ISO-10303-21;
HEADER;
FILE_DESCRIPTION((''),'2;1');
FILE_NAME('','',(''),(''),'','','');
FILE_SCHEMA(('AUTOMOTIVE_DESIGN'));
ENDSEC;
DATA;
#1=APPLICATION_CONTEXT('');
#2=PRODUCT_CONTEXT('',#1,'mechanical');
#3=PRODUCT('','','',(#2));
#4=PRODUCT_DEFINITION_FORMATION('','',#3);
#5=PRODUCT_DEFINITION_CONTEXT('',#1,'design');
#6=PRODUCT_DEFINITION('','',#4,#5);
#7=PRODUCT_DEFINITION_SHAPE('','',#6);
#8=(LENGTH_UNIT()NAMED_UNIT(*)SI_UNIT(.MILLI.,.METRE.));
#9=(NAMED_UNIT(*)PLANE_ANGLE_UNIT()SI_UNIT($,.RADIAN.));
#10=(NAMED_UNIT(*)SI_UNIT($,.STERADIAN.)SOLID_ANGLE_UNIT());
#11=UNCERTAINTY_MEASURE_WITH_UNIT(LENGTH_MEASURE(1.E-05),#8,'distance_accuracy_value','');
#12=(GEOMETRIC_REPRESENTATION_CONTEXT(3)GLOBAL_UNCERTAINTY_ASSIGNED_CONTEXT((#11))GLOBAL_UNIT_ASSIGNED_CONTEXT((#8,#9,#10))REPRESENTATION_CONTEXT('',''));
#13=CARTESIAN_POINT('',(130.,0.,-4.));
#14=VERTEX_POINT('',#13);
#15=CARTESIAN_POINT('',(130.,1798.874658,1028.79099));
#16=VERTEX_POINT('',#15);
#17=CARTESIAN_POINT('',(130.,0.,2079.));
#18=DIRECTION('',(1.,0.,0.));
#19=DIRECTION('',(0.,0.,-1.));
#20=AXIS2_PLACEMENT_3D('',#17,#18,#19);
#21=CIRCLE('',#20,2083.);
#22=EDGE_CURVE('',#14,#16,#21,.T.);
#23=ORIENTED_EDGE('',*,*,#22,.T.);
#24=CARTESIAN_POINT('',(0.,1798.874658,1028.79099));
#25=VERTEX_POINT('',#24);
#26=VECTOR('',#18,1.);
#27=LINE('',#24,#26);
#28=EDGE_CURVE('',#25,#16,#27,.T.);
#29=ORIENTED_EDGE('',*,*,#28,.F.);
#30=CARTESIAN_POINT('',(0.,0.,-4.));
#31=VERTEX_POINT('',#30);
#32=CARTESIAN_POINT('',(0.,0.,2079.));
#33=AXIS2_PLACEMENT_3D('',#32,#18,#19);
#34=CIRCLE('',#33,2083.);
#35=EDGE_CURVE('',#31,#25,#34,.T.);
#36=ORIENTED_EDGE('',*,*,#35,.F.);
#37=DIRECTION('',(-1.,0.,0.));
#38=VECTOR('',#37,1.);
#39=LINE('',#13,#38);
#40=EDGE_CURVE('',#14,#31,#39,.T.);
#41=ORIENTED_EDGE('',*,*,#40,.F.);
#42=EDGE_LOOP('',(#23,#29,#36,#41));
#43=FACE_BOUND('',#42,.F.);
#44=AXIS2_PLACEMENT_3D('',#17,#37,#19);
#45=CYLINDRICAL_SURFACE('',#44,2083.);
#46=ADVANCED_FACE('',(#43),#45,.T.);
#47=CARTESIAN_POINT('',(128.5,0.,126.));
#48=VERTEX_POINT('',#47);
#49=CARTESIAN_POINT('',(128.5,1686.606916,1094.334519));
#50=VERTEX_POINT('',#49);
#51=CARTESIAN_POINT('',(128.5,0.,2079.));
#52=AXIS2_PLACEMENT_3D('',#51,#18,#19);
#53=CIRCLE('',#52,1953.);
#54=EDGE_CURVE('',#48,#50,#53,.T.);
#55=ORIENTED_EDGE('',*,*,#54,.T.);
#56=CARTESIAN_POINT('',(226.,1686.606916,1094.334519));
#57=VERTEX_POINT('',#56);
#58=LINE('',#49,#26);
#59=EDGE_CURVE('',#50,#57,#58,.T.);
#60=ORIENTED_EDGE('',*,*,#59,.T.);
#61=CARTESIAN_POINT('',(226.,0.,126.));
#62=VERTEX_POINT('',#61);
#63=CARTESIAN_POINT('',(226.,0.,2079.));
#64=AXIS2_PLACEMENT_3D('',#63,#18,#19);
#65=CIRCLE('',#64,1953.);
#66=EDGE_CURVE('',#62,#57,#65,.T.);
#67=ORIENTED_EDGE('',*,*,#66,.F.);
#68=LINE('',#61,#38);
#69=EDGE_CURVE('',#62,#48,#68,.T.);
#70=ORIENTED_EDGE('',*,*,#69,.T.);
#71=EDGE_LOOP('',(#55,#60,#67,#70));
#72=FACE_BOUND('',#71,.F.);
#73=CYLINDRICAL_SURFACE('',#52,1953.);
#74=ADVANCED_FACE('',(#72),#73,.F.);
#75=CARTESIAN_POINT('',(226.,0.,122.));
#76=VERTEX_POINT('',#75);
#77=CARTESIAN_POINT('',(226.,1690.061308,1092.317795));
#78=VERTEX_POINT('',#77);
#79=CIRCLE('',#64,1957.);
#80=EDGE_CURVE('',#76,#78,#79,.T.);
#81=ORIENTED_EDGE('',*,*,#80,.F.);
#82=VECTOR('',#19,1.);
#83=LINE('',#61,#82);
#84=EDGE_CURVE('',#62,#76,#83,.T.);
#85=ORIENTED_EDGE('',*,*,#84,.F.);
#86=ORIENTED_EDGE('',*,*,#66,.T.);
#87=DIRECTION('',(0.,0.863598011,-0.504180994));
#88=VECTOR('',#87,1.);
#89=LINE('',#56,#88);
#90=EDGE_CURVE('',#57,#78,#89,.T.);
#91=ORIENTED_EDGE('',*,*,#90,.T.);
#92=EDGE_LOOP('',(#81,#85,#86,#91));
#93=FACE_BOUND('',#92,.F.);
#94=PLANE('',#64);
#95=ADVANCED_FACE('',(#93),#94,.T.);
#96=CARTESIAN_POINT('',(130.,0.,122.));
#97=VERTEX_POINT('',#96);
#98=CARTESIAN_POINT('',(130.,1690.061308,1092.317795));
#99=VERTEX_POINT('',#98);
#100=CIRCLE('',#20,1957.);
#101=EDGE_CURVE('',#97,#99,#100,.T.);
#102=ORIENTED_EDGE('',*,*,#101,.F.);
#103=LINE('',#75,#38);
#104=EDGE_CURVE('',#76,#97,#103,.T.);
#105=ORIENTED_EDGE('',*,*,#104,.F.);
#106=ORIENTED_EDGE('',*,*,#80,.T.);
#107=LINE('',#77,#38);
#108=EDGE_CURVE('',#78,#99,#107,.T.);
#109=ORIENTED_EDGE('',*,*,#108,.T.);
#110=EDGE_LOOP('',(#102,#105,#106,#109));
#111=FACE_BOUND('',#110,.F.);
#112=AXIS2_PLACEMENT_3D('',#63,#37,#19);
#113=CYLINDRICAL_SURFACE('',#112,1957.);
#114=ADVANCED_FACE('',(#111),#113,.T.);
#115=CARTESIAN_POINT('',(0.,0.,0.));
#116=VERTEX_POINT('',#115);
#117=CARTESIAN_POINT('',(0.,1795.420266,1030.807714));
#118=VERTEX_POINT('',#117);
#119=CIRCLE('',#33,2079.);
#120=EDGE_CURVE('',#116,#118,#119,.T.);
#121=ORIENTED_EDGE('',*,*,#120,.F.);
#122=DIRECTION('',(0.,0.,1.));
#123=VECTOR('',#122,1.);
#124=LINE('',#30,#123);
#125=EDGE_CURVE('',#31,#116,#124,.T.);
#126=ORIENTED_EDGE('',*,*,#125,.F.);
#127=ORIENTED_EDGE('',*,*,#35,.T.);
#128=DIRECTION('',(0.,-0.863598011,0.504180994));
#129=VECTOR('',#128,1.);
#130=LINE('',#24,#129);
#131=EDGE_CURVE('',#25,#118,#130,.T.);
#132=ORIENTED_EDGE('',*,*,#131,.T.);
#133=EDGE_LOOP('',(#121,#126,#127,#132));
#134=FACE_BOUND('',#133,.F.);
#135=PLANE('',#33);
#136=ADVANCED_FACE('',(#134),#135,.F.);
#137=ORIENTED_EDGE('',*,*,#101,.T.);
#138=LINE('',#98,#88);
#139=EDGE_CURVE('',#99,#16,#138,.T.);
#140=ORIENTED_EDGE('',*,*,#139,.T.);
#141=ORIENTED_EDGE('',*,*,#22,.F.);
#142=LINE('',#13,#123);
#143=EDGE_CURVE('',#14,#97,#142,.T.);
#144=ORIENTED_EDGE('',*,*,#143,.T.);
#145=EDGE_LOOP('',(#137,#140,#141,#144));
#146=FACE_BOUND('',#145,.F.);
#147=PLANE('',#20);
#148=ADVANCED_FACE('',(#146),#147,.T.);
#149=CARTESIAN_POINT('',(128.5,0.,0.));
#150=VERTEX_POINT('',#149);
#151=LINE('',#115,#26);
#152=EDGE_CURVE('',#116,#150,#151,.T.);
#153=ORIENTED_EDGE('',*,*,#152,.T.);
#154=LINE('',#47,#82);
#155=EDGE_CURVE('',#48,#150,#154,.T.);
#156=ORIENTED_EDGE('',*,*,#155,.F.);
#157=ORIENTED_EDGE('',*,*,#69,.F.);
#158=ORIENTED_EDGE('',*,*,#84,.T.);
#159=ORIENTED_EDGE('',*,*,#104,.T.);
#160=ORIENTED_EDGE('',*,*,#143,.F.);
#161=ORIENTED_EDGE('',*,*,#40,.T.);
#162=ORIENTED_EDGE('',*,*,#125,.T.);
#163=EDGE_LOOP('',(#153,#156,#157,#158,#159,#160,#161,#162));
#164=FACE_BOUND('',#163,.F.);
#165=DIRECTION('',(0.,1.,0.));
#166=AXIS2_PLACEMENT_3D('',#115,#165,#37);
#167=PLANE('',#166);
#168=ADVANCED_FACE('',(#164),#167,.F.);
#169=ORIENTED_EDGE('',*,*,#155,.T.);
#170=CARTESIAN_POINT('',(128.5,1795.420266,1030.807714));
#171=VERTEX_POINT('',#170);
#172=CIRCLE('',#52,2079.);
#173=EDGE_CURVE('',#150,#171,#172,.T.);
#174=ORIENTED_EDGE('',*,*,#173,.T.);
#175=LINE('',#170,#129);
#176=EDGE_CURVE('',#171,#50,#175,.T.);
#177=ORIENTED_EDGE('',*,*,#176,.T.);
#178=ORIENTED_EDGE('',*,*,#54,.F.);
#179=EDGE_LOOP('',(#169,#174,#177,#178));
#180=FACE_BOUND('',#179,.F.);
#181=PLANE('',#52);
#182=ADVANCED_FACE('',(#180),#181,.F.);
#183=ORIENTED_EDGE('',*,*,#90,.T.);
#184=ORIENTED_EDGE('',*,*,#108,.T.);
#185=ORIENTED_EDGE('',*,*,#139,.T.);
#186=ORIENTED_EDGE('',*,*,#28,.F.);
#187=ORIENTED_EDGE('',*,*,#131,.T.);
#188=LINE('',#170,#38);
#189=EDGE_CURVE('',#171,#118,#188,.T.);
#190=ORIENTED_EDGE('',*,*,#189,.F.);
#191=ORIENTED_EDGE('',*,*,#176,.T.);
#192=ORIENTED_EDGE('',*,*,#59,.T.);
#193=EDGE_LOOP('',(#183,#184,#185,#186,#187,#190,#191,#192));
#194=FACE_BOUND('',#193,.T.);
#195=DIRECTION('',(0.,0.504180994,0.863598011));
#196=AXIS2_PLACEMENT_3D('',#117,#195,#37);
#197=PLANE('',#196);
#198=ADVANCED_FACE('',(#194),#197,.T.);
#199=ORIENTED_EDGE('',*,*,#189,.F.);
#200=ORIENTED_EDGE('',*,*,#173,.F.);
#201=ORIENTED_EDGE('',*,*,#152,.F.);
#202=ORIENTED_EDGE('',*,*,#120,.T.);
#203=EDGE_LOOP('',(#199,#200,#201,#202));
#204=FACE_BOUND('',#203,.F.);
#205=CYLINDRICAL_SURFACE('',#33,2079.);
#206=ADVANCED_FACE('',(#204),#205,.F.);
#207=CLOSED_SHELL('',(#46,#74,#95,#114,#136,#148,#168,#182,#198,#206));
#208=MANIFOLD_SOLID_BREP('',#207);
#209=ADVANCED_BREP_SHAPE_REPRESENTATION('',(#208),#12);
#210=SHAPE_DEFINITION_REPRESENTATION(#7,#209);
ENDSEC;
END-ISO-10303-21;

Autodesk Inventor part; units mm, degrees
ref_plane "YZ Plane" through (0, 0, 0) normal (1, 0, 0) x (0, 1, 0)
ref_plane "XZ Plane" through (0, 0, 0) normal (0, 1, 0) x (-1, 0, 0)
ref_plane "XY Plane" through (0, 0, 0) normal (0, 0, 1) x (1, 0, 0)
sketch "Sketch1" plane through (0, 0, 0) normal (0, 1, 0) x (-1, 0, 0)
  line L0 (0, 0) -> (-130, 0)
  line L1 (-130, 0) -> (-130, -4)
  line L2 (-130, -4) -> (0, -4)
  line L3 (0, -4) -> (0, 0)
  line L4 (-130, -4) -> (-128.5, -4)
  line L5 (-128.5, -4) -> (-128.5, 126)
  line L6 (-128.5, 126) -> (-130, 126)
  line L7 (-130, 126) -> (-130, -4)
  line L8 (-128.5, 126) -> (-226, 126)
  line L9 (-226, 126) -> (-226, 122)
  line L10 (-226, 122) -> (-128.5, 122)
  line L11 (-128.5, 122) -> (-128.5, 126)
  line L12 (-65, -4) -> (-65, 2079)
  line L13 (-65, 2079) -> (-122.8585, 2079)
  point P0 (-128.5, 0)
  point P1 (-130, 122)
  dimension "d0" = 130
  dimension "d1" = 4
  dimension "d2" = 1.5
  dimension "d3" = 130
  dimension "d4" = 97.5
  dimension "d5" = 4
  dimension "d6" = 2083
revolve "Revolution1" add sketch "Sketch1" angle 59.723 about axis through (65, 0, 2079) along (1, 0, 0)
sketch "Sketch2" plane through (130, 0, 122) normal (1, 0, 0) x (0, 0, -1)
  line L0 (-4, 0) -> (0, 0) projected
  arc A0 (-4, 0) -> (-972.3345, 1686.6069) centre (-1957, 0) ccw projected
  arc A1 (-4, 0) -> (-972.3345, 1686.6069) centre (-1991.899, -20.0366) ccw
  line L1 (-908.8077, 1795.4203) -> (-972.3345, 1686.6069) projected
  line L2 (-906.791, 1798.8747) -> (-908.8077, 1795.4203) projected
  line L3 (-972.3345, 1686.6069) -> (-906.791, 1798.8747)
  line L4 (0, 0) -> (126, 0) projected
  arc A2 (126, 0) -> (-906.791, 1798.8747) centre (-1991.9052, -20.0402) ccw
  point P0 (122, 0)
properties part number "Support Ring Section, Z Section" material "Aluminum 6061"
